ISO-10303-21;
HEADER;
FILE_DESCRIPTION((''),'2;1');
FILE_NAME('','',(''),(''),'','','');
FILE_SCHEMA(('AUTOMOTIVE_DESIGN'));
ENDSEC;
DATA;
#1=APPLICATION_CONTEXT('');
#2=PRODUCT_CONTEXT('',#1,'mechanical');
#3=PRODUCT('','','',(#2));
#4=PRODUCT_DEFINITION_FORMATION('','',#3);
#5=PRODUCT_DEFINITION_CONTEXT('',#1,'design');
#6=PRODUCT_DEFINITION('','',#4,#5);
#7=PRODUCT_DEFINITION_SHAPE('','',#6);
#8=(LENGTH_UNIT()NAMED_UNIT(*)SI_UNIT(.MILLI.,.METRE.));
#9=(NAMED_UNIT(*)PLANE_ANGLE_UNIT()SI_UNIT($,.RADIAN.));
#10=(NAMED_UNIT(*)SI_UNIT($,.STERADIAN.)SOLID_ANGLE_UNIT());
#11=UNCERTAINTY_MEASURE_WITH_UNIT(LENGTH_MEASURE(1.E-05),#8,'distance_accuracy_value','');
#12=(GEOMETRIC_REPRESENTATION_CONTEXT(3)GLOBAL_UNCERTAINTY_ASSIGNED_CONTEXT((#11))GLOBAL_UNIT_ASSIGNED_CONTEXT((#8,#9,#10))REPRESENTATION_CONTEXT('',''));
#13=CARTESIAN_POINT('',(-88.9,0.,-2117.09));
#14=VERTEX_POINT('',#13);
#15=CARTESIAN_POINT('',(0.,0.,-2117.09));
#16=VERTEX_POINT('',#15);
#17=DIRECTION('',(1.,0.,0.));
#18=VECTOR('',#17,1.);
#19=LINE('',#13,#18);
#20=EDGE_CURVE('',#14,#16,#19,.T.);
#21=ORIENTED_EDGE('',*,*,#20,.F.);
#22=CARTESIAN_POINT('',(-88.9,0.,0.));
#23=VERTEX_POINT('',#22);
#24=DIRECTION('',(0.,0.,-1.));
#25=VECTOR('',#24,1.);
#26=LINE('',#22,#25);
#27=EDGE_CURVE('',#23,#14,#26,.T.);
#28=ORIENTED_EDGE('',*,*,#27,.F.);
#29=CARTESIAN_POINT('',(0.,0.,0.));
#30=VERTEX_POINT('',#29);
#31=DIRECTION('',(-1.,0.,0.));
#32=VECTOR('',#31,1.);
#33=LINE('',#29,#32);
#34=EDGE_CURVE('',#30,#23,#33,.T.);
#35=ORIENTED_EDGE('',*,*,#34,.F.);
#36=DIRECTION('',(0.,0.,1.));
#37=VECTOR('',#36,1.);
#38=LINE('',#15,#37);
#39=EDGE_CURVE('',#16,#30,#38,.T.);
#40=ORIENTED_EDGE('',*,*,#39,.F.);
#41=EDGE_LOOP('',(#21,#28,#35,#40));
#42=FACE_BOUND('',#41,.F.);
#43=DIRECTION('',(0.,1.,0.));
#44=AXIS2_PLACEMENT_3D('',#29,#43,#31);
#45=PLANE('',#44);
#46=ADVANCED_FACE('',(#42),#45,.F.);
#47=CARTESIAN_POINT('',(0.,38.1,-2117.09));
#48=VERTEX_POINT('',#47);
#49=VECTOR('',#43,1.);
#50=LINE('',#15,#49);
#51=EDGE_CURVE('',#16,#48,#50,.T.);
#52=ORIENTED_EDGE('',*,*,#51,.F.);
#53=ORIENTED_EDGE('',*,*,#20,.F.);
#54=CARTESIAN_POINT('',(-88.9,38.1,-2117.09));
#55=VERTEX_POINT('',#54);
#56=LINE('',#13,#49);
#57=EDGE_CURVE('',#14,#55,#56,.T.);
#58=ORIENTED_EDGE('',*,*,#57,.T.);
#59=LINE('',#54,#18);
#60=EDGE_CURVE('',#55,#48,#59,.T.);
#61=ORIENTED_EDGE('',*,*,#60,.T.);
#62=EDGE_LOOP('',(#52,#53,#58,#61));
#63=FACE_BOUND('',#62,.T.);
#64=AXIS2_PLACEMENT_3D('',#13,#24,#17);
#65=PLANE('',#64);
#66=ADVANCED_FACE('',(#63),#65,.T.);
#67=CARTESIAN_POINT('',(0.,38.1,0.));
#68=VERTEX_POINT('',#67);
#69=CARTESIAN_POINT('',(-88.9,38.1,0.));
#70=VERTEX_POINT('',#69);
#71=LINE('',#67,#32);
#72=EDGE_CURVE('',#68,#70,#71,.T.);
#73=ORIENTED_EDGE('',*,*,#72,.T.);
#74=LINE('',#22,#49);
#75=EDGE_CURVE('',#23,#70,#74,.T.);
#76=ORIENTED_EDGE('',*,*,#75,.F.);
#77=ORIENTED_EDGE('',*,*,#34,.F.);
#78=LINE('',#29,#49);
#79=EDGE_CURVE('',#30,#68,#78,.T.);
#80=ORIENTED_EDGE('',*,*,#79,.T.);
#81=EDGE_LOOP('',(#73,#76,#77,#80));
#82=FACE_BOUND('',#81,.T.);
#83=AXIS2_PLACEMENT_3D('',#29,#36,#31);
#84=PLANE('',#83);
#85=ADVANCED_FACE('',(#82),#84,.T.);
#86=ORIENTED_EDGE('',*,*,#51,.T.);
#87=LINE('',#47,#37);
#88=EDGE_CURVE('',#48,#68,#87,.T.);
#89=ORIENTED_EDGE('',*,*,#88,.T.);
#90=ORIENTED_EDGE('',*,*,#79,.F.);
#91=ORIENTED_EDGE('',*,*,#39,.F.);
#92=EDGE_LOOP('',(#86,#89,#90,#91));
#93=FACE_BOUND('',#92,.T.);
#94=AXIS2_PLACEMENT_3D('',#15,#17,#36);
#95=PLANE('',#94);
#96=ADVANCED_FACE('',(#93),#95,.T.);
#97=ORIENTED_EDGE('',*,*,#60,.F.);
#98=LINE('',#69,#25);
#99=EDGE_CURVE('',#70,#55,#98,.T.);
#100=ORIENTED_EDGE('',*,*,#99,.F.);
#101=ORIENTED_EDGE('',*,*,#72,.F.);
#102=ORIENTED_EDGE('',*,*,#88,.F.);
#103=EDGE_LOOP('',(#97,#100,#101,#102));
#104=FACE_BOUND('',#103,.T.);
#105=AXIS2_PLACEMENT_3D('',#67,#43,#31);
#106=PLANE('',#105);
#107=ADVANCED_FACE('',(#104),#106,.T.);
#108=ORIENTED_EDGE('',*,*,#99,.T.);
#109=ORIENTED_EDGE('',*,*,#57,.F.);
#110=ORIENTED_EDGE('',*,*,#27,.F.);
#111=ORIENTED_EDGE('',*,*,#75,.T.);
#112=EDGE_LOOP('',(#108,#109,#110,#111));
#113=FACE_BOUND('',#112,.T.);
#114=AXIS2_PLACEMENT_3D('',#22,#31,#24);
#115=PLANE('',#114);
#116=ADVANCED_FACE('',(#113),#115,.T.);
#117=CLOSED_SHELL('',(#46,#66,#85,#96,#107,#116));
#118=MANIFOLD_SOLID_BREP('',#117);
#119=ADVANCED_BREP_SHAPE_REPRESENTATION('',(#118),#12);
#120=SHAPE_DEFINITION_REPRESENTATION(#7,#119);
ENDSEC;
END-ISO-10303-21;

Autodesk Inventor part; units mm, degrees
ref_plane "YZ Plane" through (0, 0, 0) normal (1, 0, 0) x (0, 1, 0)
ref_plane "XZ Plane" through (0, 0, 0) normal (0, 1, 0) x (-1, 0, 0)
ref_plane "XY Plane" through (0, 0, 0) normal (0, 0, 1) x (1, 0, 0)
sketch "Sketch1" plane through (0, 0, 0) normal (0, 1, 0) x (-1, 0, 0)
  line L0 (0, 0) -> (88.9, 0)
  line L1 (88.9, 0) -> (88.9, -2117.09)
  line L2 (88.9, -2117.09) -> (0, -2117.09)
  line L3 (0, -2117.09) -> (0, 0)
  dimension "d1" = 88.9
  dimension "d4" = 2117.09
extrude "Extrusion1" add sketch "Sketch1" along normal blind 38.1
properties part number "Plate_With_Length_90.75_Inches" material "Wood (Birch)"
